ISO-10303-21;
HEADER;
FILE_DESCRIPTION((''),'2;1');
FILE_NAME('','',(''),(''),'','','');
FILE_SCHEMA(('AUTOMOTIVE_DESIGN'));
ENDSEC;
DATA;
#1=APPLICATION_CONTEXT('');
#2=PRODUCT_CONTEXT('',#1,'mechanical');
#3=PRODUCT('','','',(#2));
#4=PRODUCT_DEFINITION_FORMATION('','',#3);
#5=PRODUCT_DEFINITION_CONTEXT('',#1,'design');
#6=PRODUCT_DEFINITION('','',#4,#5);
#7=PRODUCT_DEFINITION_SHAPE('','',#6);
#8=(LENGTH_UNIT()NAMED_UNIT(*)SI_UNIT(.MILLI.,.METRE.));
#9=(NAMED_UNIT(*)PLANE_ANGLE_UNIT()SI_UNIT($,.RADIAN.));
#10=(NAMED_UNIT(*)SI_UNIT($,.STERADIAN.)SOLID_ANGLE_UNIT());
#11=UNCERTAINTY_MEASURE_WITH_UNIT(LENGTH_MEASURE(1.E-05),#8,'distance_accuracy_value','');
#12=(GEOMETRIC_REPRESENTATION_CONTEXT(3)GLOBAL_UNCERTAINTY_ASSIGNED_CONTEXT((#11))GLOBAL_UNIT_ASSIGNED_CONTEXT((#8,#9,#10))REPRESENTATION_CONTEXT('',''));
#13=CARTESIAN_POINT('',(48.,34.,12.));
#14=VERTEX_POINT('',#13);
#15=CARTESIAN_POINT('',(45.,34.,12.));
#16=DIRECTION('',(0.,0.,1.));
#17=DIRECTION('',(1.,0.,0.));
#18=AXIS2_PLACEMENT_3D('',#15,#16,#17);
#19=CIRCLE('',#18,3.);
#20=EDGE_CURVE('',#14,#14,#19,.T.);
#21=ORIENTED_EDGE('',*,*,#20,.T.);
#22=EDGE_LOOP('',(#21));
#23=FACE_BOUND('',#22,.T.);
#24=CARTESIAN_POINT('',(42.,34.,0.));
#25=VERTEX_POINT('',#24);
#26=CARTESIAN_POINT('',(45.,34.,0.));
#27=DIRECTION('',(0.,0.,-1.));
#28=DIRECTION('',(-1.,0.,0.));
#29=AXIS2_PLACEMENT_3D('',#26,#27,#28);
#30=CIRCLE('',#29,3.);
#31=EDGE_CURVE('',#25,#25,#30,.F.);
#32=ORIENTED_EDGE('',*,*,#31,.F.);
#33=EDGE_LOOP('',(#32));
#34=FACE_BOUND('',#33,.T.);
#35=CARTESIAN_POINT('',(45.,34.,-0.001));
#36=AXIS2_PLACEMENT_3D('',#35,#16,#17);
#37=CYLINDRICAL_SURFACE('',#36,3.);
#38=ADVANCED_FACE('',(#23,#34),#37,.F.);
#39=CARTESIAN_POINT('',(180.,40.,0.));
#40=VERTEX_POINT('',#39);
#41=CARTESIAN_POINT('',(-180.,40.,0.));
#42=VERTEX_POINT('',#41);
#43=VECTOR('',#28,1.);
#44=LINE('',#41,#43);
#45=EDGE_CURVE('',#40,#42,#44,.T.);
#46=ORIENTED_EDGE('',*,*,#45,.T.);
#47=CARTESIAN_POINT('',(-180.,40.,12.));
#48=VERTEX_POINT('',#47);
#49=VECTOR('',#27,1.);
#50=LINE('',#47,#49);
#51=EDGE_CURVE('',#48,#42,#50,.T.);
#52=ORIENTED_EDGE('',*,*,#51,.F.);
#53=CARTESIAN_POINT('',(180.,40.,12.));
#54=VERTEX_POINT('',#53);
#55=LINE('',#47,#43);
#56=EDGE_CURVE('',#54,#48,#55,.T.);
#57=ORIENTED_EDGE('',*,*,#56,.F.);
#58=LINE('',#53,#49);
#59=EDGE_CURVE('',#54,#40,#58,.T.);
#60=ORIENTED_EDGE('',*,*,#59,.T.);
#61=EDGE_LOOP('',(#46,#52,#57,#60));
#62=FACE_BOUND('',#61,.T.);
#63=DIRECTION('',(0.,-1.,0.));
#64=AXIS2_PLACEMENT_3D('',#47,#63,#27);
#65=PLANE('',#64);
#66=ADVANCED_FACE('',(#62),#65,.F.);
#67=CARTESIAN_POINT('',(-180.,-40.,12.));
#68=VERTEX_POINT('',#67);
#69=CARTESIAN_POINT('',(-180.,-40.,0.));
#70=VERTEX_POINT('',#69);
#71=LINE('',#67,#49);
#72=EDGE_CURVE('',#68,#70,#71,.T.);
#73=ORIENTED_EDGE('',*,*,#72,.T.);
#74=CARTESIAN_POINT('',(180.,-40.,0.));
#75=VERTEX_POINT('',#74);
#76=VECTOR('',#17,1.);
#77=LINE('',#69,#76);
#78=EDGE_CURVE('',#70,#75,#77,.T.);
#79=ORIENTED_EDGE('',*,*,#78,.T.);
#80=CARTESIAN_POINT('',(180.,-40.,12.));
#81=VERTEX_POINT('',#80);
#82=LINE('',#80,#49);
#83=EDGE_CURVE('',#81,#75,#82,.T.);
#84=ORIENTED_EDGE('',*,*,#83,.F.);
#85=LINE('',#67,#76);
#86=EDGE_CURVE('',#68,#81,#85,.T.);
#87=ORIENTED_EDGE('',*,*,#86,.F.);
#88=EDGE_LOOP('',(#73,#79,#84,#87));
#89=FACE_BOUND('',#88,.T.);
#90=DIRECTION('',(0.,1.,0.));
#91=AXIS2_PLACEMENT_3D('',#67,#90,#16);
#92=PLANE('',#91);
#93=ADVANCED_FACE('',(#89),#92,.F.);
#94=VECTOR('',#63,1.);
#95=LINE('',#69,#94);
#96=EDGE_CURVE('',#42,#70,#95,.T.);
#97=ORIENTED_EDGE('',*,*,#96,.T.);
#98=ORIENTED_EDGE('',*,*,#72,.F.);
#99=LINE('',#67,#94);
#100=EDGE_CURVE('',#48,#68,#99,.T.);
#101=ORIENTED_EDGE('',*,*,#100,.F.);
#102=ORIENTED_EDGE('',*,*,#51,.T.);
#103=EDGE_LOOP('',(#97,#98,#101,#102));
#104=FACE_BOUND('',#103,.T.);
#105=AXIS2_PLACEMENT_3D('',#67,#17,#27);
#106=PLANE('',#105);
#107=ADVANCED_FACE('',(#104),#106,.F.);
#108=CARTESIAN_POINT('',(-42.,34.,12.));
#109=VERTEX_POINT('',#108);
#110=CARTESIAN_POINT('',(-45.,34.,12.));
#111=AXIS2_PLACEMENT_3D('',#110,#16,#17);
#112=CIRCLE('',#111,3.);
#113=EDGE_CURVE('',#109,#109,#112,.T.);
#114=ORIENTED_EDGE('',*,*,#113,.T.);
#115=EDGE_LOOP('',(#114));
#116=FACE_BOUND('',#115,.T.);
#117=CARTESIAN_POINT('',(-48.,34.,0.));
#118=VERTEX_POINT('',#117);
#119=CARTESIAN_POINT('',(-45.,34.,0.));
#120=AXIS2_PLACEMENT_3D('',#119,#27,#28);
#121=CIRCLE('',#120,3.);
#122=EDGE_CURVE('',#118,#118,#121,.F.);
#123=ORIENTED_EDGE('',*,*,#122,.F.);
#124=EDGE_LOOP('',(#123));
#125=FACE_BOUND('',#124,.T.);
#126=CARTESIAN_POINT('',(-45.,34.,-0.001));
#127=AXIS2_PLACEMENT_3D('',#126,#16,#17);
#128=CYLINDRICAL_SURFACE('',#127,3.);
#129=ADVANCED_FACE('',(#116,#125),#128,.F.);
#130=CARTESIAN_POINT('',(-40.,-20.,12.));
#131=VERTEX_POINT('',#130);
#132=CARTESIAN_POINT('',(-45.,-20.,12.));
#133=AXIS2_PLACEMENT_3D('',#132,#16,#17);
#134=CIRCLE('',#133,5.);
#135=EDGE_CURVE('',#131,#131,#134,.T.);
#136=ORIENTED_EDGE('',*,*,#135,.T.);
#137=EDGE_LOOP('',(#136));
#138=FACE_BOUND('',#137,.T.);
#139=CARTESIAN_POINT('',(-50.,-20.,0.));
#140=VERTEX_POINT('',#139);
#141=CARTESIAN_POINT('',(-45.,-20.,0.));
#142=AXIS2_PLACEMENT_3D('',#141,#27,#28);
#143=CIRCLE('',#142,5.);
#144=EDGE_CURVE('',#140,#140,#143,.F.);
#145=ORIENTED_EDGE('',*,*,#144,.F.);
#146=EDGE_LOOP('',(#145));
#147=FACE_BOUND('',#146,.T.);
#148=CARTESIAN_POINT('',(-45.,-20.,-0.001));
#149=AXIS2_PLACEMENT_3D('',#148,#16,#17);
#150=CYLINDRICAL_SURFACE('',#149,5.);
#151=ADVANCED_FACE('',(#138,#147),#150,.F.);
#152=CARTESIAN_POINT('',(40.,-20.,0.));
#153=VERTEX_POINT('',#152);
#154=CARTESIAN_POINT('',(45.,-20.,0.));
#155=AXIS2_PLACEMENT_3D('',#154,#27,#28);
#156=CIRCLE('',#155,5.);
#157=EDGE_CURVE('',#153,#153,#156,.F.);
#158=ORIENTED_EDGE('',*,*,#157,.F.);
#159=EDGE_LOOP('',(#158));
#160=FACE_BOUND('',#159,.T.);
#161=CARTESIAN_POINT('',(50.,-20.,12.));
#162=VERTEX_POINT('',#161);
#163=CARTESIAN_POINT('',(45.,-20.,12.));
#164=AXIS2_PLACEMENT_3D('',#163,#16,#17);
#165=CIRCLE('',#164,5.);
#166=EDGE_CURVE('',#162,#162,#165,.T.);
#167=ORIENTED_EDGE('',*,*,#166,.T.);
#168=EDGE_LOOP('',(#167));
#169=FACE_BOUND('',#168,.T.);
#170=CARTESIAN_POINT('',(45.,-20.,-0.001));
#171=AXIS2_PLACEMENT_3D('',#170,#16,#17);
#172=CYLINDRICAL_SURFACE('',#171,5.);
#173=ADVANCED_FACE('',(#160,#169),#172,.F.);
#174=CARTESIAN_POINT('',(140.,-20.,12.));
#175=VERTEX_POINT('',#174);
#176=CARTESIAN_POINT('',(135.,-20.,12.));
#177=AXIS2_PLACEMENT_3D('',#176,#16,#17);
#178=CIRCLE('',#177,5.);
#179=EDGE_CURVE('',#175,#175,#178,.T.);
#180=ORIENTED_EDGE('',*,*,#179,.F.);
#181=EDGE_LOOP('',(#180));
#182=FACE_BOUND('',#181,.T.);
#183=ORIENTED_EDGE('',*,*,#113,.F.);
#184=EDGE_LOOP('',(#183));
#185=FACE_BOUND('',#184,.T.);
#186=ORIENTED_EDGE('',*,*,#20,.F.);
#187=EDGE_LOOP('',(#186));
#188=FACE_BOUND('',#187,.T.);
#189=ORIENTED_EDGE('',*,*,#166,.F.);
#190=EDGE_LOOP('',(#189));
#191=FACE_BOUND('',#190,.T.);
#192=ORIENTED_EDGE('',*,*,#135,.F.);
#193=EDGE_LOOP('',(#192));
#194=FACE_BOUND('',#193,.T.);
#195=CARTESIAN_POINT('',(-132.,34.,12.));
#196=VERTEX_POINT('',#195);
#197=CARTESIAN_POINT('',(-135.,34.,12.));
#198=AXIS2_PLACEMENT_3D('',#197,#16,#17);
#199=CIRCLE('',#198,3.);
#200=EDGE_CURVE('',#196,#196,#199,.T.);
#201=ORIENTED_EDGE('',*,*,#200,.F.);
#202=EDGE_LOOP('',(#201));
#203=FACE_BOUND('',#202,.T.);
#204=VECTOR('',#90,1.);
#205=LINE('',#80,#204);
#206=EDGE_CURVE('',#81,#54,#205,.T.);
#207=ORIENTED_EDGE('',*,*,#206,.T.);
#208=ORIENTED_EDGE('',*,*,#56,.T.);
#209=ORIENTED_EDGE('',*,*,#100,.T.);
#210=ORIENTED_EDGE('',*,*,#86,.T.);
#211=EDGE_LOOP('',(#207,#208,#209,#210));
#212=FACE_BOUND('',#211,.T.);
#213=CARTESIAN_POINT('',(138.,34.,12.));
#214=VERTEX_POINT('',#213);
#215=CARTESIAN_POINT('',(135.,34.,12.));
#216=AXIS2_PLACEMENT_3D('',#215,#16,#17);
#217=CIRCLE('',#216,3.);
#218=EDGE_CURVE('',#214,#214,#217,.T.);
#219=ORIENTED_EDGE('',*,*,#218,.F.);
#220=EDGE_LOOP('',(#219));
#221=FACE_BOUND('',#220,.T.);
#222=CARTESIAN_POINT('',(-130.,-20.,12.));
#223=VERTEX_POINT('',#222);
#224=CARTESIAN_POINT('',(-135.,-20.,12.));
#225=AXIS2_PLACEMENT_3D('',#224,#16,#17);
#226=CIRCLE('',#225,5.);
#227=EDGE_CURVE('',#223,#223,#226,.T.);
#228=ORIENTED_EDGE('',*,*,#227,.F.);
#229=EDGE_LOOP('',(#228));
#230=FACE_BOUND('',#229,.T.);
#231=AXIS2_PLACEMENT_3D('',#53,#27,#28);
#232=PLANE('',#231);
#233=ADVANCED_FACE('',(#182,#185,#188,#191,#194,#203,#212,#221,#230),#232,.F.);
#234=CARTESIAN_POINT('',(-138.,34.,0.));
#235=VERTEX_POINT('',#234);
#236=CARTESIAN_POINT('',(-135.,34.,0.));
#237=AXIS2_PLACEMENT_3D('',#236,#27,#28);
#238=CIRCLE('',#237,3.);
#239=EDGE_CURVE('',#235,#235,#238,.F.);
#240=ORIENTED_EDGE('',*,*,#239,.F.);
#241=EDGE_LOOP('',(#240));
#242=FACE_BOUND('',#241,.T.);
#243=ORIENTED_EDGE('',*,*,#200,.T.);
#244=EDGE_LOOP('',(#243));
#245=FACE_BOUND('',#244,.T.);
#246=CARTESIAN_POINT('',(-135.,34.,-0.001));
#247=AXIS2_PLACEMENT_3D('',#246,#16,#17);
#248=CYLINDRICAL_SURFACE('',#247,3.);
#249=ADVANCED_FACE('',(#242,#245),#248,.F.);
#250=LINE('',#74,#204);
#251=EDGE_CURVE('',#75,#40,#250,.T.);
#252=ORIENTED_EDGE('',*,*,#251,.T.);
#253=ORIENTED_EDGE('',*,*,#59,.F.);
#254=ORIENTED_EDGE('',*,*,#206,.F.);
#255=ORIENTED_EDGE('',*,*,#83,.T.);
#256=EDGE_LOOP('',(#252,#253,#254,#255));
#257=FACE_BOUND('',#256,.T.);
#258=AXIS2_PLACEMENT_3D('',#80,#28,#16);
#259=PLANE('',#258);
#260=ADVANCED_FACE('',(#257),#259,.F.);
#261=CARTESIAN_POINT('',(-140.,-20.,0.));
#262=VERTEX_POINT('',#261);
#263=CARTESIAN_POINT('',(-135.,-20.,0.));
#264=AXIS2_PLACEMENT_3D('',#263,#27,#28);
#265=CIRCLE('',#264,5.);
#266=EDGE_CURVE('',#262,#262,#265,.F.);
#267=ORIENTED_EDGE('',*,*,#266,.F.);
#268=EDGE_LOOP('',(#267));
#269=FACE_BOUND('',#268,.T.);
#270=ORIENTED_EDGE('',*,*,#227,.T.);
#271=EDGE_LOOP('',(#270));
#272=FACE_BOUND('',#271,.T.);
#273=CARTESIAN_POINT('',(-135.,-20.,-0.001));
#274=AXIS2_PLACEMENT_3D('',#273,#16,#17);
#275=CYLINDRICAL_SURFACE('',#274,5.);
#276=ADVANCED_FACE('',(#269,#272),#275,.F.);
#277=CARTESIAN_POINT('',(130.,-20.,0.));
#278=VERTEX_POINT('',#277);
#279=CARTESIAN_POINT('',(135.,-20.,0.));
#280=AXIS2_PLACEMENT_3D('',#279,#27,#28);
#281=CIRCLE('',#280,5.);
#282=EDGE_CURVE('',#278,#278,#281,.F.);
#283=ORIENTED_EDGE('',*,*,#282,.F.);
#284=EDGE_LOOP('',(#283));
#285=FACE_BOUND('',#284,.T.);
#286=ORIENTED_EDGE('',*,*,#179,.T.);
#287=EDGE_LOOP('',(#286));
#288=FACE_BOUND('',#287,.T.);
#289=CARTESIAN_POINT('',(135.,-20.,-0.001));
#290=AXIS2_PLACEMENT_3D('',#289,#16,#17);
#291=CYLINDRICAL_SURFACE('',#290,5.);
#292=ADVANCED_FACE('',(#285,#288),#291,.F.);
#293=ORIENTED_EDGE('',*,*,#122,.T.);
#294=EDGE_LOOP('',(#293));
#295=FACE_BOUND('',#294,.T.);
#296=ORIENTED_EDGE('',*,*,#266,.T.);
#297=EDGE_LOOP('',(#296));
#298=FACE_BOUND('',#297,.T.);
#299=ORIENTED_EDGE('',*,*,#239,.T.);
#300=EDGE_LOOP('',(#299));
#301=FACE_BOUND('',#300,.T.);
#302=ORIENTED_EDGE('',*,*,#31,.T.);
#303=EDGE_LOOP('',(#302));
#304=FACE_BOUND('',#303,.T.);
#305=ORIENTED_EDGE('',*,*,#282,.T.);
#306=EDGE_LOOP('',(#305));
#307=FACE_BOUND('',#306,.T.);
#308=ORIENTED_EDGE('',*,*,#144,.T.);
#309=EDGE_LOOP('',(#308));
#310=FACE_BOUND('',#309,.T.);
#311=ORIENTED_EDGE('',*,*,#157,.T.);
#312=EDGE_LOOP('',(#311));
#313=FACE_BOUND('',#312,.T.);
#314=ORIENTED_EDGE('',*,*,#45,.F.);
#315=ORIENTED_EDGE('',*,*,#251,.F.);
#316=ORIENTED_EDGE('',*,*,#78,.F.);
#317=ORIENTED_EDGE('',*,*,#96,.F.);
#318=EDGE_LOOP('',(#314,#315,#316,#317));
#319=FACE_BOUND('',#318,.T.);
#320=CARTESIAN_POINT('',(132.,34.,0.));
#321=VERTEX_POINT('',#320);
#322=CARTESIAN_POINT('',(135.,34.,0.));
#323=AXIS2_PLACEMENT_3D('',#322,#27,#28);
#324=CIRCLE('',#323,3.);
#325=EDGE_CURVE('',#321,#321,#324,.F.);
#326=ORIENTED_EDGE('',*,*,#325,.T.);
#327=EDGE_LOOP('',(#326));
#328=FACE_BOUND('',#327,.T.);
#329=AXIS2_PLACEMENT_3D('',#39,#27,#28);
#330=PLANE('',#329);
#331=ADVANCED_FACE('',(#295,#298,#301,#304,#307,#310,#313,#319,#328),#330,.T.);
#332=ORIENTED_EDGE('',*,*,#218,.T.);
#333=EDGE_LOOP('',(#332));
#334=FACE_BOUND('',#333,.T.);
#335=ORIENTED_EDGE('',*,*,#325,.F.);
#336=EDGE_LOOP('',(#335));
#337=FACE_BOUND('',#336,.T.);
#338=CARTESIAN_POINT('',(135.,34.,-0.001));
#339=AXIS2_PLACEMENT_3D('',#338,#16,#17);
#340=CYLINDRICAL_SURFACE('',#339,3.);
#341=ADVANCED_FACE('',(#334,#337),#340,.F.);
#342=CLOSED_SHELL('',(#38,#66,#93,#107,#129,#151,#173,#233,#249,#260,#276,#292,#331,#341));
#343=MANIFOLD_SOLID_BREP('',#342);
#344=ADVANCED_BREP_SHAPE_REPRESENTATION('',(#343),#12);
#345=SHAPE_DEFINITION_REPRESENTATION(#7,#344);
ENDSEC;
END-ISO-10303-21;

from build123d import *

# Parameters (mm, degrees)
SKETCH1_W           = 360
SKETCH1_H           = 80
BOSS_EXTRUDE1_DEPTH = 12
CUT_EXTRUDE1_REACH  = 186.781
SKETCH2_R           = 3
SKETCH2_R_2         = 5
LPATTERN1_COUNT     = 4
LPATTERN1_PITCH     = 90


with BuildPart() as part:
    # Sketch1 → Boss-Extrude1 (new body)
    with BuildSketch(Plane.XY):
        Rectangle(SKETCH1_W, SKETCH1_H)
    extrude(amount=BOSS_EXTRUDE1_DEPTH)

    # Sketch2 → Cut-Extrude1 (cut, up to next)
    with BuildSketch(Plane.XY.offset(12), mode=Mode.PRIVATE) as cut_extrude1_sk1:
        with Locations((-135, 34)):
            Circle(SKETCH2_R)
    cut_extrude1_tool1 = extrude(cut_extrude1_sk1.sketch, amount=-CUT_EXTRUDE1_REACH, mode=Mode.PRIVATE) & part.part
    # Sketch2 → Cut-Extrude1 (cut, up to next)
    with BuildSketch(Plane.XY.offset(12), mode=Mode.PRIVATE) as cut_extrude1_sk2:
        with Locations((-135, -20)):
            Circle(SKETCH2_R_2)
    cut_extrude1_tool2 = extrude(cut_extrude1_sk2.sketch, amount=-CUT_EXTRUDE1_REACH, mode=Mode.PRIVATE) & part.part
    cut_extrude1_1 = cut_extrude1_tool1.solids().sort_by_distance((-135, 34, 12))[0]
    add(cut_extrude1_1, mode=Mode.SUBTRACT)
    cut_extrude1_2 = cut_extrude1_tool2.solids().sort_by_distance((-135, -20, 12))[0]
    add(cut_extrude1_2, mode=Mode.SUBTRACT)
    cut_extrude1 = cut_extrude1_1 + cut_extrude1_2  # Cut-Extrude1 as one shape, for the pattern or mirror that repeats it

    # LPattern1: Cut-Extrude1 ×4
    with Locations(*[(i * LPATTERN1_PITCH, 0, 0) for i in range(1, LPATTERN1_COUNT)]):
        add(cut_extrude1, mode=Mode.SUBTRACT)


solid = part.part
